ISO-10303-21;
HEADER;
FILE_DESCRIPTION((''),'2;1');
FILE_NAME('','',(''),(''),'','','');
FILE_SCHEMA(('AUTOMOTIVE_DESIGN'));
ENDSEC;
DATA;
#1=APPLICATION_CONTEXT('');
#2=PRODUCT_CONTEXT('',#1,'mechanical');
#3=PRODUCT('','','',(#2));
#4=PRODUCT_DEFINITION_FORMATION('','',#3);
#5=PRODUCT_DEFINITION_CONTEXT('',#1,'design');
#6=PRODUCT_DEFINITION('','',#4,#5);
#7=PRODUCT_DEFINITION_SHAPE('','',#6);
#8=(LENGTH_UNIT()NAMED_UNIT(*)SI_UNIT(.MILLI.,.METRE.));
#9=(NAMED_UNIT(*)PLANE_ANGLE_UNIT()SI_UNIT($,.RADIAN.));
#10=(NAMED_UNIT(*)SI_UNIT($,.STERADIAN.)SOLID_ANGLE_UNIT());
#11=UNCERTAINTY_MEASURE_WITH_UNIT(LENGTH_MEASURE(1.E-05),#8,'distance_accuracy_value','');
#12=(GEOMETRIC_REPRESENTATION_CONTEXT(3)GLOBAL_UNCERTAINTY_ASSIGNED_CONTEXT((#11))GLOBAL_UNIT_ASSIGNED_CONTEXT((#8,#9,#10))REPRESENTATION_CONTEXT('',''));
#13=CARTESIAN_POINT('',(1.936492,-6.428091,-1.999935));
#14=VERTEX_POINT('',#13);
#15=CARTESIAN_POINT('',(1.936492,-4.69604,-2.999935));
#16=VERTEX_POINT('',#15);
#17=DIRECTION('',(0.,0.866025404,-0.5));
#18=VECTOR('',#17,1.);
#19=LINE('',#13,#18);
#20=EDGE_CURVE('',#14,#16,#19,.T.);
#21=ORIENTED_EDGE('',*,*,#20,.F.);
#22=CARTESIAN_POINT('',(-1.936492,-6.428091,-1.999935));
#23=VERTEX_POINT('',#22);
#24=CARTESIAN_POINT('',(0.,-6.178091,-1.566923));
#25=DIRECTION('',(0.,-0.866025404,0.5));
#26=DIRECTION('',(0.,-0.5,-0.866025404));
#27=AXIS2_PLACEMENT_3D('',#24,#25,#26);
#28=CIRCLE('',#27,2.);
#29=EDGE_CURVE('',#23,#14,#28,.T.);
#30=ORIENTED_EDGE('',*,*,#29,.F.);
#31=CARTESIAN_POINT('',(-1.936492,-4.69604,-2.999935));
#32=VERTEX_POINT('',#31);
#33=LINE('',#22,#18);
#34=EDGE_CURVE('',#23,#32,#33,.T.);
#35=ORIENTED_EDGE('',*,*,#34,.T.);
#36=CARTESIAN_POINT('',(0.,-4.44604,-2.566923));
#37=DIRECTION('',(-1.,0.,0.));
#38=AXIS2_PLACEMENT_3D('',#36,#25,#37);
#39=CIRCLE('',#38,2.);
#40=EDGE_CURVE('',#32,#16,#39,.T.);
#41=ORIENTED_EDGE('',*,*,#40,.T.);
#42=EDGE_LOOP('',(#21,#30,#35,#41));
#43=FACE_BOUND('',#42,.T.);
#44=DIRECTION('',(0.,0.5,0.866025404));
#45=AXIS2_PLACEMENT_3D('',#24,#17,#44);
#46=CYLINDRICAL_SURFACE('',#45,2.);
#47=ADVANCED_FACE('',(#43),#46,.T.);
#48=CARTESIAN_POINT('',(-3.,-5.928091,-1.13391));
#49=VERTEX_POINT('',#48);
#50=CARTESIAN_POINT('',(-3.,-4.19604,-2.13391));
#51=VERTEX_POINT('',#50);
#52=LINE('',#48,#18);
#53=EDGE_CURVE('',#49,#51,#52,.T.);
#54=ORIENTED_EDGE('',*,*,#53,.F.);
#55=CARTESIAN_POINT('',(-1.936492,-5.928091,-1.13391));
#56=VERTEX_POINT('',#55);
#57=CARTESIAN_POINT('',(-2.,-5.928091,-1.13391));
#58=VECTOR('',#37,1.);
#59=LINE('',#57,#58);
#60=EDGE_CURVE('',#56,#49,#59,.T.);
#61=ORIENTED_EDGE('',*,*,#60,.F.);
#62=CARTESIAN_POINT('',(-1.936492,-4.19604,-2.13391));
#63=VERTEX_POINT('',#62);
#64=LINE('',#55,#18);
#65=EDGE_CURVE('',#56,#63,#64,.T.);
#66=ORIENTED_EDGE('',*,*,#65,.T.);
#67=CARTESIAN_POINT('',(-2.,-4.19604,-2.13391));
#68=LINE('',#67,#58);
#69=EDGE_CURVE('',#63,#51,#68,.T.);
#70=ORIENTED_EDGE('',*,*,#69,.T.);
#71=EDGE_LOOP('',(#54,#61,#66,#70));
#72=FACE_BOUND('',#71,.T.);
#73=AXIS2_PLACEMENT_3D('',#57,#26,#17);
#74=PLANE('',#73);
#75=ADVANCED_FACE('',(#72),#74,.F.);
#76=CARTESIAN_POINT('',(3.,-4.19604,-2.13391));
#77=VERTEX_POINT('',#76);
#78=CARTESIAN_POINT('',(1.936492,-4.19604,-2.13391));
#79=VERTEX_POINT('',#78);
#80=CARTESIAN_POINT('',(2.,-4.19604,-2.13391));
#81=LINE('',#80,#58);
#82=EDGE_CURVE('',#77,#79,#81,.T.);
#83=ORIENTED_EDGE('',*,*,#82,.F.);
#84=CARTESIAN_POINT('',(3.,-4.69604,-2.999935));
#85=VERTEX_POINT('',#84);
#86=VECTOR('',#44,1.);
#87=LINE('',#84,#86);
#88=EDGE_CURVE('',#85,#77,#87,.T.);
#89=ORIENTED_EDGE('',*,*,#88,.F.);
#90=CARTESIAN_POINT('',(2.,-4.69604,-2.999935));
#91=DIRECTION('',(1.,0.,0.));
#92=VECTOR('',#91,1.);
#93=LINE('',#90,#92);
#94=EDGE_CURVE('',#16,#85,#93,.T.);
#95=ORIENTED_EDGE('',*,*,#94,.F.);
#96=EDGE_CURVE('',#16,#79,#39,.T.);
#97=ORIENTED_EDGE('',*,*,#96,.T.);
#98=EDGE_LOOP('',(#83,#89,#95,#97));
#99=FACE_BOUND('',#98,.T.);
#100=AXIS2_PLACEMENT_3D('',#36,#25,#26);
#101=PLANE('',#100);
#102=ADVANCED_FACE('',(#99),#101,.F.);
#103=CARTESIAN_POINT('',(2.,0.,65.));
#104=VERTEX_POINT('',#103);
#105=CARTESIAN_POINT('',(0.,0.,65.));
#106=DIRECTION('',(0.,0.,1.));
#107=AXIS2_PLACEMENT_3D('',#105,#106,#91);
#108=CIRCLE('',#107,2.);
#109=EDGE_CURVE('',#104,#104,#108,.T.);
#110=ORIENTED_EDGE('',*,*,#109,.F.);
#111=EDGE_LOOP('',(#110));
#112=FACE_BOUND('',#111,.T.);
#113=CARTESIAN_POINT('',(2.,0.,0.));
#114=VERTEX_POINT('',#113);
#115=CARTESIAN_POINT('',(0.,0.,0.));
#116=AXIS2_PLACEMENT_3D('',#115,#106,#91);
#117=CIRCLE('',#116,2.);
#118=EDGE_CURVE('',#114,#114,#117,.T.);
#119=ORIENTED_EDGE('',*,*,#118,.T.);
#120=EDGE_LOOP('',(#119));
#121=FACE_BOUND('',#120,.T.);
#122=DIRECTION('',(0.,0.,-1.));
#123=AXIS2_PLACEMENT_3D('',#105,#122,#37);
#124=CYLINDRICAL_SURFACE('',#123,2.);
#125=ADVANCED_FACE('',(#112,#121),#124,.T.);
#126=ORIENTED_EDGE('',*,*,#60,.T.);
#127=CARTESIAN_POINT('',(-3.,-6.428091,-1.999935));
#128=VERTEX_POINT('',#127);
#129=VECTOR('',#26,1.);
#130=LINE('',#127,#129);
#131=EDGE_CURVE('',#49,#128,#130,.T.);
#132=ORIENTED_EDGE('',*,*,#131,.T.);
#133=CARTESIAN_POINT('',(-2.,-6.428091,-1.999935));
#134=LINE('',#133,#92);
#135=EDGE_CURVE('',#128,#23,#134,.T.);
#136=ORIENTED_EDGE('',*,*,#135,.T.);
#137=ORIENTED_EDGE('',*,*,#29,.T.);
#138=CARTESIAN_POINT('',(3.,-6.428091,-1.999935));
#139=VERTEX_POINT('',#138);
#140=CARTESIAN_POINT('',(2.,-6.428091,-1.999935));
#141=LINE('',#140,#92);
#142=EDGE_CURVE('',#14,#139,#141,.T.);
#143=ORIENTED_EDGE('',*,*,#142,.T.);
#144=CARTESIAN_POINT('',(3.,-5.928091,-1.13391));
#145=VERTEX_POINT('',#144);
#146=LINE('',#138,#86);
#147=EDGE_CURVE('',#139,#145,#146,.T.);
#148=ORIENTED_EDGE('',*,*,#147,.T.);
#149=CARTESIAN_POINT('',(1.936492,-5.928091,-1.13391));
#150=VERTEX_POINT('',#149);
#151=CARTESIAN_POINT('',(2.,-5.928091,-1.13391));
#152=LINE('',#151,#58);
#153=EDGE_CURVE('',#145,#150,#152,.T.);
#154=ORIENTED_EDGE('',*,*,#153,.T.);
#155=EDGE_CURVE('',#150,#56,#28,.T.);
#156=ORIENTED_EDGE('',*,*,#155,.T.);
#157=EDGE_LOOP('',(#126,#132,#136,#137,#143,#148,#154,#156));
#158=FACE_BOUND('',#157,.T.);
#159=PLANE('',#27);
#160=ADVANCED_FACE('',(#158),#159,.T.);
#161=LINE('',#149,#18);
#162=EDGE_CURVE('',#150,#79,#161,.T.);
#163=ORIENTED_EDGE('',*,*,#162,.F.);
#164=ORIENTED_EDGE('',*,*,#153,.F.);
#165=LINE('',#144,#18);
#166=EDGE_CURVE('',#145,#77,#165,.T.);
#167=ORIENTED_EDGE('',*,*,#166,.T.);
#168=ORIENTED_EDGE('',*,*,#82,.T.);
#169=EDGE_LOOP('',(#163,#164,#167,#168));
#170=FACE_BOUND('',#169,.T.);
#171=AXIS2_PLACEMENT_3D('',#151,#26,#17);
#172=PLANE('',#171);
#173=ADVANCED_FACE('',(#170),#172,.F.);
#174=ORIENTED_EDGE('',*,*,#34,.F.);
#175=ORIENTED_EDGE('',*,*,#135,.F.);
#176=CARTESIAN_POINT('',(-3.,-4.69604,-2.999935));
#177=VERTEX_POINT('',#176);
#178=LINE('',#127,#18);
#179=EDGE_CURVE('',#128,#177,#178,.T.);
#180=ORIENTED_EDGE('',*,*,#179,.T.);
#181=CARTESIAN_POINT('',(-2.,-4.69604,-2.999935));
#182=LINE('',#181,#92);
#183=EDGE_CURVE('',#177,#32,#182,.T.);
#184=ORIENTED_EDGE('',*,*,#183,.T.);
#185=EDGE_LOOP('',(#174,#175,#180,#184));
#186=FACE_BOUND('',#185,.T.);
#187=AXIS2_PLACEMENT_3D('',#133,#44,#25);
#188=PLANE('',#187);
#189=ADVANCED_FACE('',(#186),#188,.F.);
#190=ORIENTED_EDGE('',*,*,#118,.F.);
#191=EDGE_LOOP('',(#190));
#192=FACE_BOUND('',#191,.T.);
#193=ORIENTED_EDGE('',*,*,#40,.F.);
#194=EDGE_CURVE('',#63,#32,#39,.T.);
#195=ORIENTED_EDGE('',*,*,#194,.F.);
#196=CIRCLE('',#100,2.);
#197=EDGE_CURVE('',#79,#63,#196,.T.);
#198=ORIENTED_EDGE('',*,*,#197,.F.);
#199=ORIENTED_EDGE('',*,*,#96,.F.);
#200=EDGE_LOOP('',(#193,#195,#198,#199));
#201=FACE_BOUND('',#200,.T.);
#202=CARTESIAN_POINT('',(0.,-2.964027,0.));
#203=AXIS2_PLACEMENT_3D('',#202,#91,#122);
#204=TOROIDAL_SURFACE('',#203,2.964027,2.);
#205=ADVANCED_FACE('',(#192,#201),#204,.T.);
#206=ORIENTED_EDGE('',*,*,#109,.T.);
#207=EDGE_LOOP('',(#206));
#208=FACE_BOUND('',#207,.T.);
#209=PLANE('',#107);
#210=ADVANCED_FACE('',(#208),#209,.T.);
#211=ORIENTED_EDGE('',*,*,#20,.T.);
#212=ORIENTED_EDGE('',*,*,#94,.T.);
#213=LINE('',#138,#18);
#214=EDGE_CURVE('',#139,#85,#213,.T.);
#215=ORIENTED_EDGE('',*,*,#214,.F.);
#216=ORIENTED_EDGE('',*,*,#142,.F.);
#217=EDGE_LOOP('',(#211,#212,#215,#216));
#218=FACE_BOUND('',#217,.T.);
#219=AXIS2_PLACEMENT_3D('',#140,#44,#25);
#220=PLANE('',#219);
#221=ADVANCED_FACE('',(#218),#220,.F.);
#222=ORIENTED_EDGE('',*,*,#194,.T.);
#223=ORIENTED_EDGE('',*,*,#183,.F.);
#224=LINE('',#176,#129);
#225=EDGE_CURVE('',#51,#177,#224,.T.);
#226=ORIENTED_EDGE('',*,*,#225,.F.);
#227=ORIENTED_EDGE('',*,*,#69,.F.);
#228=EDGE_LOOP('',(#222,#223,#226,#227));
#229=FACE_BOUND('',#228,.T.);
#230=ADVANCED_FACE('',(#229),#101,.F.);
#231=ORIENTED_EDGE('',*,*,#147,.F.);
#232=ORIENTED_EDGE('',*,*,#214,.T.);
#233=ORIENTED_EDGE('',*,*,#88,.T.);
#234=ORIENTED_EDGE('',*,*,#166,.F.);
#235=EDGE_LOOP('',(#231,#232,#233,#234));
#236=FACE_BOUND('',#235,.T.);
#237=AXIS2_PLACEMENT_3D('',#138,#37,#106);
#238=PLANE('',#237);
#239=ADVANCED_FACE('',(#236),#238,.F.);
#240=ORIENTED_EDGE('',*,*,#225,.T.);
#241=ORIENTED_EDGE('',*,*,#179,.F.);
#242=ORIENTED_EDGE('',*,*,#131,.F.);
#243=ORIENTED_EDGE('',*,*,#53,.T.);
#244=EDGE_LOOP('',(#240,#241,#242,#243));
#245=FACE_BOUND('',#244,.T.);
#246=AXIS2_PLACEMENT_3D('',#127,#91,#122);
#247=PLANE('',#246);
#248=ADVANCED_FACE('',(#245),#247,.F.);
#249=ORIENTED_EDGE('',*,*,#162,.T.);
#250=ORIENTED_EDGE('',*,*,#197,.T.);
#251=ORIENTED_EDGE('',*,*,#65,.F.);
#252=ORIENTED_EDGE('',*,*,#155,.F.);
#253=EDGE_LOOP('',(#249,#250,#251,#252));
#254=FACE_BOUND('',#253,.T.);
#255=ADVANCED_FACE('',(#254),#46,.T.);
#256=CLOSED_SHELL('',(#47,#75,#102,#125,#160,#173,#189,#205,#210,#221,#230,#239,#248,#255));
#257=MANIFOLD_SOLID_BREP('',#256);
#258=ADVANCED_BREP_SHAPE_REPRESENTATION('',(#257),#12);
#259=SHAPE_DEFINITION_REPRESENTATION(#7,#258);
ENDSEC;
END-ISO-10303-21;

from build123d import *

# Parameters (mm, degrees)
SKETCH1_R           = 2
BOSS_EXTRUDE1_DEPTH = 65
SKETCH8_R           = 2
REVOLVE4_ANGLE      = 120
BOSS_EXTRUDE3_DEPTH = 2


with BuildPart() as part:
    # Sketch1 → Boss-Extrude1 (new body)
    with BuildSketch(Plane.XY):
        Circle(SKETCH1_R)
    extrude(amount=BOSS_EXTRUDE1_DEPTH)

    # Sketch8 → Revolve4 (revolve)
    with BuildSketch(Plane(origin=(0, 0, 0), x_dir=(-1, 0, 0), z_dir=(0, 0, -1))):
        with Locations(Location((0, 0, 0), (0, 0, 90))):
            Circle(SKETCH8_R)
    revolve(axis=Axis((0, -2.964026972, 0), (-1, 0, 0)), revolution_arc=REVOLVE4_ANGLE)

    # Sketch12 → Boss-Extrude3 (add)
    with BuildSketch(Plane(origin=(0, -2.223020229, 1.283461328), x_dir=(1, 0, 0), z_dir=(0, -0.8660254037844362, 0.5000000000000042))):
        with BuildLine():
            Line((2, -4.946040459), (1.936491673, -4.946040459))
            ThreePointArc((1.936491673, -4.946040459), (0, -6.446040459), (-1.936491673, -4.946040459))
            Line((-1.936491673, -4.946040459), (-2, -4.946040459))
            Line((-2, -4.946040459), (-3, -4.946040459))
            Line((-3, -4.946040459), (-3, -3.946040459))
            Line((-3, -3.946040459), (-2, -3.946040459))
            Line((-2, -3.946040459), (-1.936491673, -3.946040459))
            ThreePointArc((-1.936491673, -3.946040459), (0, -2.446040459), (1.936491673, -3.946040459))
            Line((1.936491673, -3.946040459), (2, -3.946040459))
            Line((2, -3.946040459), (3, -3.946040459))
            Line((3, -3.946040459), (3, -4.946040459))
            Line((3, -4.946040459), (2, -4.946040459))
        make_face()
    extrude(amount=BOSS_EXTRUDE3_DEPTH)


solid = part.part
